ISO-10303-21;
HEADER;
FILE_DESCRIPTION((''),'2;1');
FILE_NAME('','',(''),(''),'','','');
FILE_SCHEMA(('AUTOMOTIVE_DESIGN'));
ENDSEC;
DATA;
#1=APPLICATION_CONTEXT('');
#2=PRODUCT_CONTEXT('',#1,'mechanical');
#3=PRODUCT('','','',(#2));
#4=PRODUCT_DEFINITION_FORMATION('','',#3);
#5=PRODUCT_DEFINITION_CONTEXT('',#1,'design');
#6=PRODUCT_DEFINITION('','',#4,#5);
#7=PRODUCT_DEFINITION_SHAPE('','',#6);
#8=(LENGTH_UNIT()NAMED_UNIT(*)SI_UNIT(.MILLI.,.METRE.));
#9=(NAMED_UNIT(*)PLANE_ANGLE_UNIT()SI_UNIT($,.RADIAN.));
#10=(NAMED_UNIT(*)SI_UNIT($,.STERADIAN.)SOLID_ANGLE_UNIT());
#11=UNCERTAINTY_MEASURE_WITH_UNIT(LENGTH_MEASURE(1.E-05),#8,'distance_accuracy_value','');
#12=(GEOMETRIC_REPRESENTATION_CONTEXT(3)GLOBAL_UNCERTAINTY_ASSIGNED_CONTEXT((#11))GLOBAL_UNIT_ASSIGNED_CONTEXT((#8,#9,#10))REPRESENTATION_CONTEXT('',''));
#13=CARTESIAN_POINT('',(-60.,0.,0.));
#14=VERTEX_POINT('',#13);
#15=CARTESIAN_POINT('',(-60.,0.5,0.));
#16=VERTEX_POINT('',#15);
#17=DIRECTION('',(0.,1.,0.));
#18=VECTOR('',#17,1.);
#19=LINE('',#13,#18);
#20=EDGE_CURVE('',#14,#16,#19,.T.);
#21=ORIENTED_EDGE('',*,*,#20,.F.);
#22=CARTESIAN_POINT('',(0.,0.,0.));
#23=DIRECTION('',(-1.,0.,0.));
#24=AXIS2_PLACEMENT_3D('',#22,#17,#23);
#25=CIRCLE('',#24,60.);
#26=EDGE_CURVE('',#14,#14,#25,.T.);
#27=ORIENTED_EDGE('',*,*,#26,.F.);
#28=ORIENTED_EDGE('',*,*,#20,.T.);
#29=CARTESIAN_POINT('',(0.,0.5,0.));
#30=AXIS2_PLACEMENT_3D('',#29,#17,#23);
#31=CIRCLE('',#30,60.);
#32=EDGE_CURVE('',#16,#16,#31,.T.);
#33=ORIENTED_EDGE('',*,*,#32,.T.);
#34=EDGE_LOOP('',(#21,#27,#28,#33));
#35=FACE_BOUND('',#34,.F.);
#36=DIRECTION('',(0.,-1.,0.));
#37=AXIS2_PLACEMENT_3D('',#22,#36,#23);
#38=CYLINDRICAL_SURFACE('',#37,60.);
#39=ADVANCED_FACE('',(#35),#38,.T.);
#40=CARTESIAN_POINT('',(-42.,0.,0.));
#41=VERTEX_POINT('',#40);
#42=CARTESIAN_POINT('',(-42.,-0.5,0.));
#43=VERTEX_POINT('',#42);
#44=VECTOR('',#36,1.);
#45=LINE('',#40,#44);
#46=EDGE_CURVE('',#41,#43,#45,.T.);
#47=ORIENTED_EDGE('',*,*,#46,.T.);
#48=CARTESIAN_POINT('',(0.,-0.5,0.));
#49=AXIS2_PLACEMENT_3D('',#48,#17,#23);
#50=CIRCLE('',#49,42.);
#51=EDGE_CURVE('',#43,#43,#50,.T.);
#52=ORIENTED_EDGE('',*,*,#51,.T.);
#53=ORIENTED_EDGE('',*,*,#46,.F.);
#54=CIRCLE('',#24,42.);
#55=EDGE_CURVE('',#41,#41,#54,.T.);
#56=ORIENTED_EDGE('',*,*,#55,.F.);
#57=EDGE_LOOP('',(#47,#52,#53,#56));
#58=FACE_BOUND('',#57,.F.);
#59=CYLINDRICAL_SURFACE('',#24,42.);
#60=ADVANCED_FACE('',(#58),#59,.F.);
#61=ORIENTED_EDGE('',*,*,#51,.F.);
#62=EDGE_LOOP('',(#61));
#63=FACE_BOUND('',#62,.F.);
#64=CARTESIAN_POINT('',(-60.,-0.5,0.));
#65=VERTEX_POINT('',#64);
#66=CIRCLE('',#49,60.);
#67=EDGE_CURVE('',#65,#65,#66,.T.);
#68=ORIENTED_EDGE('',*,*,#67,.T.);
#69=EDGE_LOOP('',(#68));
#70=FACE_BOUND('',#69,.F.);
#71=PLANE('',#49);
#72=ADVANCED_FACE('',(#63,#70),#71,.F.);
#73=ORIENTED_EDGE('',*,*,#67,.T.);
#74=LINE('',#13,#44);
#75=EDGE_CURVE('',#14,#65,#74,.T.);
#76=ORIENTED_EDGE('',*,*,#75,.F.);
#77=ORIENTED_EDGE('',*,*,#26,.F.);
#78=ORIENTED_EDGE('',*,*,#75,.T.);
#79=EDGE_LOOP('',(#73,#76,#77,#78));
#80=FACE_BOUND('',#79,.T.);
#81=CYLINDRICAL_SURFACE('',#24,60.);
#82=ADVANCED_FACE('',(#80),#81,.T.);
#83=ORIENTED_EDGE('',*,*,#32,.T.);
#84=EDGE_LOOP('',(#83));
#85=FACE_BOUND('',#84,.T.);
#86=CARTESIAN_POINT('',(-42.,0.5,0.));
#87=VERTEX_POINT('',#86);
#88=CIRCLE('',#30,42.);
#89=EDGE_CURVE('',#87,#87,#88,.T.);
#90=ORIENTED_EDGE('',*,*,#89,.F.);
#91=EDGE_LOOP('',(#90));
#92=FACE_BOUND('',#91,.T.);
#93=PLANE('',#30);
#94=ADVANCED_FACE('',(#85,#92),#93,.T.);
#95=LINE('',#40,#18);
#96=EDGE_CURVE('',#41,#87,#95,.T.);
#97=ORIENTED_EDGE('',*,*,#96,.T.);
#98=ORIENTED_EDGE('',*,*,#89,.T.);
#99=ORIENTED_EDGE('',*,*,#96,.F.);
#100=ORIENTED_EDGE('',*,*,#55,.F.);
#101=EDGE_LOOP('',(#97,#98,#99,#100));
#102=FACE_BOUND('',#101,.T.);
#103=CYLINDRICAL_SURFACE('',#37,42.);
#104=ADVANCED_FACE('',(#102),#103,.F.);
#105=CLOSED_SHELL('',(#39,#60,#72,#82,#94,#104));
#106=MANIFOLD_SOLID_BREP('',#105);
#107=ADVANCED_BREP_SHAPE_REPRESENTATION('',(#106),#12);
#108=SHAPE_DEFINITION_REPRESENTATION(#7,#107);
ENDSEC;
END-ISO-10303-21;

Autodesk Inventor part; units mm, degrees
ref_plane "YZ Plane" through (0, 0, 0) normal (1, 0, 0) x (0, 1, 0)
ref_plane "XZ Plane" through (0, 0, 0) normal (0, 1, 0) x (-1, 0, 0)
ref_plane "XY Plane" through (0, 0, 0) normal (0, 0, 1) x (1, 0, 0)
sketch "草图1" plane through (0, 0, 0) normal (0, 1, 0) x (-1, 0, 0)
  circle A0 centre (0, 0) radius 60
  circle A1 centre (0, 0) radius 42
  dimension "d0" = 120
  dimension "d1" = 84
extrude "拉伸1" add sketch "草图1" along normal mid plane 1
properties part number "垫片" material "铁，可锻铸"
